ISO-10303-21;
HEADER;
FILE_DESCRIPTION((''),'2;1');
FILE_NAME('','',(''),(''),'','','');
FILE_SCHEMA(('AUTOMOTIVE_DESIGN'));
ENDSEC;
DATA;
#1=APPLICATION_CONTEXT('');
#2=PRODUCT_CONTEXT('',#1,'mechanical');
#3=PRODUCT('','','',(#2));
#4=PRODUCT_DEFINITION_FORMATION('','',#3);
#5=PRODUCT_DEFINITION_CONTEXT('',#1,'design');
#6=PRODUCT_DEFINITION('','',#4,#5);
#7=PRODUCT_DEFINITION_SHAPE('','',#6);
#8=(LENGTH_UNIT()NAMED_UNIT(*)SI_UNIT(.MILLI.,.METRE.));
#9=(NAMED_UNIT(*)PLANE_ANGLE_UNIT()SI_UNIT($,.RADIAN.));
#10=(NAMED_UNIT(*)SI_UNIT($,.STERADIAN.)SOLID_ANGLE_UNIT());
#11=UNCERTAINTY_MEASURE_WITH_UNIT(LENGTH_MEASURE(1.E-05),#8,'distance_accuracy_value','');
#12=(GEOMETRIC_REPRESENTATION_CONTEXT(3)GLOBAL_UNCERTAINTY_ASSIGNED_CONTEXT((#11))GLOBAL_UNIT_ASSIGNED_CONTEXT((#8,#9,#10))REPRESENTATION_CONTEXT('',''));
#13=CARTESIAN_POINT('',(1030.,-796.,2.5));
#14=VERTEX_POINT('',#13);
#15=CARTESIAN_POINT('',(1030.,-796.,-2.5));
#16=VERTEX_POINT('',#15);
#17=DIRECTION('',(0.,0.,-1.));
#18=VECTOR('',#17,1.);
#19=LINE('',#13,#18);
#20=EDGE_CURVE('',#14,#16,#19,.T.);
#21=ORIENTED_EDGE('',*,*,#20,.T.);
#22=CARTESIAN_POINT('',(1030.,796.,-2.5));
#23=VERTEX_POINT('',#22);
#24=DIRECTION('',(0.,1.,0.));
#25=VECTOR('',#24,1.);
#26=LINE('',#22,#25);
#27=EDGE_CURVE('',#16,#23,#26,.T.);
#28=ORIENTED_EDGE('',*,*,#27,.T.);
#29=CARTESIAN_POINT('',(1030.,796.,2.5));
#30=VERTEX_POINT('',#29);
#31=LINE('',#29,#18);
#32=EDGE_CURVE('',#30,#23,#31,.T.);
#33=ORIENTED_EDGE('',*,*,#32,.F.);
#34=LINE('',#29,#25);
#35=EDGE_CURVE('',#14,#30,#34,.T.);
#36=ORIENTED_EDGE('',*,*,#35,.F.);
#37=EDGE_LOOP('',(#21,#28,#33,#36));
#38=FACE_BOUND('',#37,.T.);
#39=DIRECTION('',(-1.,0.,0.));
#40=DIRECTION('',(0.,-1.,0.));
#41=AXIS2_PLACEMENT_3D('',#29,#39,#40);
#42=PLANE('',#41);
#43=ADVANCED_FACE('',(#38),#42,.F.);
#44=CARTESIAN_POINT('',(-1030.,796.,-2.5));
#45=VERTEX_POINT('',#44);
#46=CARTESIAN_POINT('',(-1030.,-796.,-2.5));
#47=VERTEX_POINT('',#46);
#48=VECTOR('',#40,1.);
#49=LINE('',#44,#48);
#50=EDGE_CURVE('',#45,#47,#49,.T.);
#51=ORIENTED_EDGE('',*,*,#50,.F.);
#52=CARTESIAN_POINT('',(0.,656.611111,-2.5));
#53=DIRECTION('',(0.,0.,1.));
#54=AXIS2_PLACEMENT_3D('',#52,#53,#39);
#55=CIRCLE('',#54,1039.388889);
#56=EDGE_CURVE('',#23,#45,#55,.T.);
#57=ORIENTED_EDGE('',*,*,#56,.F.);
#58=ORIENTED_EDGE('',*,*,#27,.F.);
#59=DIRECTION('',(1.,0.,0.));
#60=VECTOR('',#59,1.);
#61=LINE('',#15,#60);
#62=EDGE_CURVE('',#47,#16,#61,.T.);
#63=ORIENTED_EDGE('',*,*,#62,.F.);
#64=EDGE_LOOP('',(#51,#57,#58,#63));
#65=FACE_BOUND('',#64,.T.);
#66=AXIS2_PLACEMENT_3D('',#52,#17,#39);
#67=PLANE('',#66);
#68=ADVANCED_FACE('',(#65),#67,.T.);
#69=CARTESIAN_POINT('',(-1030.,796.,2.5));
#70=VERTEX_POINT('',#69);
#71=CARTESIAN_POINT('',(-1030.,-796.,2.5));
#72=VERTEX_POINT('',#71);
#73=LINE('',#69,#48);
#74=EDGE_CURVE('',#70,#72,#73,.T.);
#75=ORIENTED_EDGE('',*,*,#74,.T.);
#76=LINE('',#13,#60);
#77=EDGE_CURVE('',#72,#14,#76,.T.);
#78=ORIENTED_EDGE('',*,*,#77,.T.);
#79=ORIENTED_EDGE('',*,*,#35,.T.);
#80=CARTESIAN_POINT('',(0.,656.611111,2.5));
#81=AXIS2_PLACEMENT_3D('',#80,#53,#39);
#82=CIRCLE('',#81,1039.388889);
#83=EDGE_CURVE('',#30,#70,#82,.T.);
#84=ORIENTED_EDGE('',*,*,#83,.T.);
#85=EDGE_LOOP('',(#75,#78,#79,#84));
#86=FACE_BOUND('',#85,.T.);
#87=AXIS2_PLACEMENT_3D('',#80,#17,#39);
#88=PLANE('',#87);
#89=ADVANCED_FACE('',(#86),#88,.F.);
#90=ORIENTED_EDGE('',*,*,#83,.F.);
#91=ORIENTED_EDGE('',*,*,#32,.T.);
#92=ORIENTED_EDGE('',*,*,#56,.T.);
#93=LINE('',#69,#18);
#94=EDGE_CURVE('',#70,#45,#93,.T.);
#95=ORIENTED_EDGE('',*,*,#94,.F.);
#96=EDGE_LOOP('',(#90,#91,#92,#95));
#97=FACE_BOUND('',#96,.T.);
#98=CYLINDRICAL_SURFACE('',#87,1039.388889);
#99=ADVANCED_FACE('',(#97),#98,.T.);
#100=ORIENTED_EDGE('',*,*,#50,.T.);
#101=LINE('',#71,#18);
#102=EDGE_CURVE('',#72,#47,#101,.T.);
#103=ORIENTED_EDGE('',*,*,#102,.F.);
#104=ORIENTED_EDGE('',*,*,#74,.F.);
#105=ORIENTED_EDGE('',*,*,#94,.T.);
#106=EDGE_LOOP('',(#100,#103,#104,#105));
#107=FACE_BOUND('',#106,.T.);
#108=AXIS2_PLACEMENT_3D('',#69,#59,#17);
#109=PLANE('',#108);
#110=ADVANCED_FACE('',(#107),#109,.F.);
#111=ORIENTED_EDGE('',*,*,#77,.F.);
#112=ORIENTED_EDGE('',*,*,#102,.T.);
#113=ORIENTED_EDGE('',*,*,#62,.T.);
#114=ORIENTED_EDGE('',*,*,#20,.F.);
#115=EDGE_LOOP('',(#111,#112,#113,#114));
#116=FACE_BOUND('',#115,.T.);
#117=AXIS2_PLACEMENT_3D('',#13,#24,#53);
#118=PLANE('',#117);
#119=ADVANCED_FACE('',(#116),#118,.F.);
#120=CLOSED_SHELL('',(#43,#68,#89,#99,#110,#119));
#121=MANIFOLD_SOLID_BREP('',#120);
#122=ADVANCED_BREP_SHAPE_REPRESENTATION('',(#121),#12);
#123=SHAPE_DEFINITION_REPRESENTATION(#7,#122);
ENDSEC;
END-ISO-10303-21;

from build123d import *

# Parameters (mm, degrees)
BOSS_EXTRUDE1_DEPTH = 2.5


with BuildPart() as part:
    # Sketch1 → Boss-Extrude1 (new body, symmetric)
    with BuildSketch(Plane.XY):
        with BuildLine():
            Line((1030, 796), (1030, -796))
            Line((1030, -796), (-1030, -796))
            Line((-1030, -796), (-1030, 796))
            ThreePointArc((-1030, 796), (0, 1696), (1030, 796))
        make_face()
    extrude(amount=BOSS_EXTRUDE1_DEPTH, both=True)


solid = part.part
